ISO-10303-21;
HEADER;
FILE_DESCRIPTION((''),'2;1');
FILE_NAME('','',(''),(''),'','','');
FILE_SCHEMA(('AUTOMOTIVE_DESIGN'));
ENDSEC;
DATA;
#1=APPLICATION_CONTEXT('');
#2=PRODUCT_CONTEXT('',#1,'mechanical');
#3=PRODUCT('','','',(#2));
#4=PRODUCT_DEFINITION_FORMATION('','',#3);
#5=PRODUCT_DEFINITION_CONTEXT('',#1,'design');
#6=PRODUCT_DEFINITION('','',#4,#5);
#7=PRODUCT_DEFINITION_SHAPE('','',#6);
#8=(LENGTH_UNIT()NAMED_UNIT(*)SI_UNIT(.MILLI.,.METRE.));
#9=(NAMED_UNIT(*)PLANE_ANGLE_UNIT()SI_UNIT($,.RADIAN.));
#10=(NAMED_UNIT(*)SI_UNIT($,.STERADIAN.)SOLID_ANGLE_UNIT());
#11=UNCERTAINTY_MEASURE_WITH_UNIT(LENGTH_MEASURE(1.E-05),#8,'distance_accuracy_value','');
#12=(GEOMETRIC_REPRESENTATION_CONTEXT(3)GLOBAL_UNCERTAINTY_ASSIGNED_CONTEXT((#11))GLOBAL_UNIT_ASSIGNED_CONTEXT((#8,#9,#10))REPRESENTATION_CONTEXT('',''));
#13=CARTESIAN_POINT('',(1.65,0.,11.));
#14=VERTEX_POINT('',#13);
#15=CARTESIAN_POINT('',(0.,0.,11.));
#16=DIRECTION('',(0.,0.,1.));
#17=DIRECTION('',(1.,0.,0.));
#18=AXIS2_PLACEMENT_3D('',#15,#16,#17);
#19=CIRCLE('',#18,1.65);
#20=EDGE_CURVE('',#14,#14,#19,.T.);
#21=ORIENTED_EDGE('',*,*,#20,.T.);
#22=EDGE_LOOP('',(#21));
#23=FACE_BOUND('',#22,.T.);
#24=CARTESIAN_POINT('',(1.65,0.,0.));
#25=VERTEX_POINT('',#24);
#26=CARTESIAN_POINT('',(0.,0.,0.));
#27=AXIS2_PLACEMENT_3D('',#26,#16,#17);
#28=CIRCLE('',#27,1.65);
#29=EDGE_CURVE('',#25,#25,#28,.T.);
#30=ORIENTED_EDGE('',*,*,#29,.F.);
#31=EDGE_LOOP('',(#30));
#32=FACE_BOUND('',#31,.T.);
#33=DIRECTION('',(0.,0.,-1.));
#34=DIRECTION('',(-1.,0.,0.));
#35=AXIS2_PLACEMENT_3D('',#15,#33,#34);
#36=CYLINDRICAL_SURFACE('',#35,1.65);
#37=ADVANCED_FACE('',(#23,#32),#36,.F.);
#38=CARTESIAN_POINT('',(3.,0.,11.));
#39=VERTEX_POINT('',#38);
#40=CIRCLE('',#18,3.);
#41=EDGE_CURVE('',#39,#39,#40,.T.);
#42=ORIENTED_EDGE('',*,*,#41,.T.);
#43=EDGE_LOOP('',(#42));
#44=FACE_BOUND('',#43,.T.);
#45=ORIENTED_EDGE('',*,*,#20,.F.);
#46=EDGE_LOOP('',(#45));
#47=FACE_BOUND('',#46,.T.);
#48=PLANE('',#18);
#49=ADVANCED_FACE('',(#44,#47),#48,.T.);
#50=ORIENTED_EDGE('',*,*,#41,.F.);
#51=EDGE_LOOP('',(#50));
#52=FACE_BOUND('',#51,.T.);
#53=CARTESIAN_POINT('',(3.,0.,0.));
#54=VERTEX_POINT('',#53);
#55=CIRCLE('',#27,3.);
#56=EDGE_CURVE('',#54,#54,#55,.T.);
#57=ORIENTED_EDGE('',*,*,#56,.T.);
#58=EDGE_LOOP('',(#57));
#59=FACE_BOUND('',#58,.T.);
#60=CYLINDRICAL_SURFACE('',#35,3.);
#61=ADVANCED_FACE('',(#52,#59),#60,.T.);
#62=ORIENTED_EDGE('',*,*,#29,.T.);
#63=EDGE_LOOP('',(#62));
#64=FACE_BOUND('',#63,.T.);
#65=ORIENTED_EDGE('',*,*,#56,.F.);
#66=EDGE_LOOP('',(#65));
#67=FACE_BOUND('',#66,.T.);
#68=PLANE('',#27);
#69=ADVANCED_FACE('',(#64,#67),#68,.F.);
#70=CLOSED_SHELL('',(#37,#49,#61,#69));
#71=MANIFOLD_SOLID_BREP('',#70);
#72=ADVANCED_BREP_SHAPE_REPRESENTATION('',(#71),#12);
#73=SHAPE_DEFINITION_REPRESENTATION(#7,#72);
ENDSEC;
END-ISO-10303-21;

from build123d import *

# Parameters (mm, degrees)
SKETCH_3_R          = 3
SKETCH_3_R_2        = 1.65
EXTRUDE_28884_DEPTH = 11


with BuildPart() as part:
    # Sketch 3 → Extrude 28884 (new body)
    with BuildSketch(Plane.XY):
        Circle(SKETCH_3_R)
        Circle(SKETCH_3_R_2, mode=Mode.SUBTRACT)
    extrude(amount=EXTRUDE_28884_DEPTH)


solid = part.part
